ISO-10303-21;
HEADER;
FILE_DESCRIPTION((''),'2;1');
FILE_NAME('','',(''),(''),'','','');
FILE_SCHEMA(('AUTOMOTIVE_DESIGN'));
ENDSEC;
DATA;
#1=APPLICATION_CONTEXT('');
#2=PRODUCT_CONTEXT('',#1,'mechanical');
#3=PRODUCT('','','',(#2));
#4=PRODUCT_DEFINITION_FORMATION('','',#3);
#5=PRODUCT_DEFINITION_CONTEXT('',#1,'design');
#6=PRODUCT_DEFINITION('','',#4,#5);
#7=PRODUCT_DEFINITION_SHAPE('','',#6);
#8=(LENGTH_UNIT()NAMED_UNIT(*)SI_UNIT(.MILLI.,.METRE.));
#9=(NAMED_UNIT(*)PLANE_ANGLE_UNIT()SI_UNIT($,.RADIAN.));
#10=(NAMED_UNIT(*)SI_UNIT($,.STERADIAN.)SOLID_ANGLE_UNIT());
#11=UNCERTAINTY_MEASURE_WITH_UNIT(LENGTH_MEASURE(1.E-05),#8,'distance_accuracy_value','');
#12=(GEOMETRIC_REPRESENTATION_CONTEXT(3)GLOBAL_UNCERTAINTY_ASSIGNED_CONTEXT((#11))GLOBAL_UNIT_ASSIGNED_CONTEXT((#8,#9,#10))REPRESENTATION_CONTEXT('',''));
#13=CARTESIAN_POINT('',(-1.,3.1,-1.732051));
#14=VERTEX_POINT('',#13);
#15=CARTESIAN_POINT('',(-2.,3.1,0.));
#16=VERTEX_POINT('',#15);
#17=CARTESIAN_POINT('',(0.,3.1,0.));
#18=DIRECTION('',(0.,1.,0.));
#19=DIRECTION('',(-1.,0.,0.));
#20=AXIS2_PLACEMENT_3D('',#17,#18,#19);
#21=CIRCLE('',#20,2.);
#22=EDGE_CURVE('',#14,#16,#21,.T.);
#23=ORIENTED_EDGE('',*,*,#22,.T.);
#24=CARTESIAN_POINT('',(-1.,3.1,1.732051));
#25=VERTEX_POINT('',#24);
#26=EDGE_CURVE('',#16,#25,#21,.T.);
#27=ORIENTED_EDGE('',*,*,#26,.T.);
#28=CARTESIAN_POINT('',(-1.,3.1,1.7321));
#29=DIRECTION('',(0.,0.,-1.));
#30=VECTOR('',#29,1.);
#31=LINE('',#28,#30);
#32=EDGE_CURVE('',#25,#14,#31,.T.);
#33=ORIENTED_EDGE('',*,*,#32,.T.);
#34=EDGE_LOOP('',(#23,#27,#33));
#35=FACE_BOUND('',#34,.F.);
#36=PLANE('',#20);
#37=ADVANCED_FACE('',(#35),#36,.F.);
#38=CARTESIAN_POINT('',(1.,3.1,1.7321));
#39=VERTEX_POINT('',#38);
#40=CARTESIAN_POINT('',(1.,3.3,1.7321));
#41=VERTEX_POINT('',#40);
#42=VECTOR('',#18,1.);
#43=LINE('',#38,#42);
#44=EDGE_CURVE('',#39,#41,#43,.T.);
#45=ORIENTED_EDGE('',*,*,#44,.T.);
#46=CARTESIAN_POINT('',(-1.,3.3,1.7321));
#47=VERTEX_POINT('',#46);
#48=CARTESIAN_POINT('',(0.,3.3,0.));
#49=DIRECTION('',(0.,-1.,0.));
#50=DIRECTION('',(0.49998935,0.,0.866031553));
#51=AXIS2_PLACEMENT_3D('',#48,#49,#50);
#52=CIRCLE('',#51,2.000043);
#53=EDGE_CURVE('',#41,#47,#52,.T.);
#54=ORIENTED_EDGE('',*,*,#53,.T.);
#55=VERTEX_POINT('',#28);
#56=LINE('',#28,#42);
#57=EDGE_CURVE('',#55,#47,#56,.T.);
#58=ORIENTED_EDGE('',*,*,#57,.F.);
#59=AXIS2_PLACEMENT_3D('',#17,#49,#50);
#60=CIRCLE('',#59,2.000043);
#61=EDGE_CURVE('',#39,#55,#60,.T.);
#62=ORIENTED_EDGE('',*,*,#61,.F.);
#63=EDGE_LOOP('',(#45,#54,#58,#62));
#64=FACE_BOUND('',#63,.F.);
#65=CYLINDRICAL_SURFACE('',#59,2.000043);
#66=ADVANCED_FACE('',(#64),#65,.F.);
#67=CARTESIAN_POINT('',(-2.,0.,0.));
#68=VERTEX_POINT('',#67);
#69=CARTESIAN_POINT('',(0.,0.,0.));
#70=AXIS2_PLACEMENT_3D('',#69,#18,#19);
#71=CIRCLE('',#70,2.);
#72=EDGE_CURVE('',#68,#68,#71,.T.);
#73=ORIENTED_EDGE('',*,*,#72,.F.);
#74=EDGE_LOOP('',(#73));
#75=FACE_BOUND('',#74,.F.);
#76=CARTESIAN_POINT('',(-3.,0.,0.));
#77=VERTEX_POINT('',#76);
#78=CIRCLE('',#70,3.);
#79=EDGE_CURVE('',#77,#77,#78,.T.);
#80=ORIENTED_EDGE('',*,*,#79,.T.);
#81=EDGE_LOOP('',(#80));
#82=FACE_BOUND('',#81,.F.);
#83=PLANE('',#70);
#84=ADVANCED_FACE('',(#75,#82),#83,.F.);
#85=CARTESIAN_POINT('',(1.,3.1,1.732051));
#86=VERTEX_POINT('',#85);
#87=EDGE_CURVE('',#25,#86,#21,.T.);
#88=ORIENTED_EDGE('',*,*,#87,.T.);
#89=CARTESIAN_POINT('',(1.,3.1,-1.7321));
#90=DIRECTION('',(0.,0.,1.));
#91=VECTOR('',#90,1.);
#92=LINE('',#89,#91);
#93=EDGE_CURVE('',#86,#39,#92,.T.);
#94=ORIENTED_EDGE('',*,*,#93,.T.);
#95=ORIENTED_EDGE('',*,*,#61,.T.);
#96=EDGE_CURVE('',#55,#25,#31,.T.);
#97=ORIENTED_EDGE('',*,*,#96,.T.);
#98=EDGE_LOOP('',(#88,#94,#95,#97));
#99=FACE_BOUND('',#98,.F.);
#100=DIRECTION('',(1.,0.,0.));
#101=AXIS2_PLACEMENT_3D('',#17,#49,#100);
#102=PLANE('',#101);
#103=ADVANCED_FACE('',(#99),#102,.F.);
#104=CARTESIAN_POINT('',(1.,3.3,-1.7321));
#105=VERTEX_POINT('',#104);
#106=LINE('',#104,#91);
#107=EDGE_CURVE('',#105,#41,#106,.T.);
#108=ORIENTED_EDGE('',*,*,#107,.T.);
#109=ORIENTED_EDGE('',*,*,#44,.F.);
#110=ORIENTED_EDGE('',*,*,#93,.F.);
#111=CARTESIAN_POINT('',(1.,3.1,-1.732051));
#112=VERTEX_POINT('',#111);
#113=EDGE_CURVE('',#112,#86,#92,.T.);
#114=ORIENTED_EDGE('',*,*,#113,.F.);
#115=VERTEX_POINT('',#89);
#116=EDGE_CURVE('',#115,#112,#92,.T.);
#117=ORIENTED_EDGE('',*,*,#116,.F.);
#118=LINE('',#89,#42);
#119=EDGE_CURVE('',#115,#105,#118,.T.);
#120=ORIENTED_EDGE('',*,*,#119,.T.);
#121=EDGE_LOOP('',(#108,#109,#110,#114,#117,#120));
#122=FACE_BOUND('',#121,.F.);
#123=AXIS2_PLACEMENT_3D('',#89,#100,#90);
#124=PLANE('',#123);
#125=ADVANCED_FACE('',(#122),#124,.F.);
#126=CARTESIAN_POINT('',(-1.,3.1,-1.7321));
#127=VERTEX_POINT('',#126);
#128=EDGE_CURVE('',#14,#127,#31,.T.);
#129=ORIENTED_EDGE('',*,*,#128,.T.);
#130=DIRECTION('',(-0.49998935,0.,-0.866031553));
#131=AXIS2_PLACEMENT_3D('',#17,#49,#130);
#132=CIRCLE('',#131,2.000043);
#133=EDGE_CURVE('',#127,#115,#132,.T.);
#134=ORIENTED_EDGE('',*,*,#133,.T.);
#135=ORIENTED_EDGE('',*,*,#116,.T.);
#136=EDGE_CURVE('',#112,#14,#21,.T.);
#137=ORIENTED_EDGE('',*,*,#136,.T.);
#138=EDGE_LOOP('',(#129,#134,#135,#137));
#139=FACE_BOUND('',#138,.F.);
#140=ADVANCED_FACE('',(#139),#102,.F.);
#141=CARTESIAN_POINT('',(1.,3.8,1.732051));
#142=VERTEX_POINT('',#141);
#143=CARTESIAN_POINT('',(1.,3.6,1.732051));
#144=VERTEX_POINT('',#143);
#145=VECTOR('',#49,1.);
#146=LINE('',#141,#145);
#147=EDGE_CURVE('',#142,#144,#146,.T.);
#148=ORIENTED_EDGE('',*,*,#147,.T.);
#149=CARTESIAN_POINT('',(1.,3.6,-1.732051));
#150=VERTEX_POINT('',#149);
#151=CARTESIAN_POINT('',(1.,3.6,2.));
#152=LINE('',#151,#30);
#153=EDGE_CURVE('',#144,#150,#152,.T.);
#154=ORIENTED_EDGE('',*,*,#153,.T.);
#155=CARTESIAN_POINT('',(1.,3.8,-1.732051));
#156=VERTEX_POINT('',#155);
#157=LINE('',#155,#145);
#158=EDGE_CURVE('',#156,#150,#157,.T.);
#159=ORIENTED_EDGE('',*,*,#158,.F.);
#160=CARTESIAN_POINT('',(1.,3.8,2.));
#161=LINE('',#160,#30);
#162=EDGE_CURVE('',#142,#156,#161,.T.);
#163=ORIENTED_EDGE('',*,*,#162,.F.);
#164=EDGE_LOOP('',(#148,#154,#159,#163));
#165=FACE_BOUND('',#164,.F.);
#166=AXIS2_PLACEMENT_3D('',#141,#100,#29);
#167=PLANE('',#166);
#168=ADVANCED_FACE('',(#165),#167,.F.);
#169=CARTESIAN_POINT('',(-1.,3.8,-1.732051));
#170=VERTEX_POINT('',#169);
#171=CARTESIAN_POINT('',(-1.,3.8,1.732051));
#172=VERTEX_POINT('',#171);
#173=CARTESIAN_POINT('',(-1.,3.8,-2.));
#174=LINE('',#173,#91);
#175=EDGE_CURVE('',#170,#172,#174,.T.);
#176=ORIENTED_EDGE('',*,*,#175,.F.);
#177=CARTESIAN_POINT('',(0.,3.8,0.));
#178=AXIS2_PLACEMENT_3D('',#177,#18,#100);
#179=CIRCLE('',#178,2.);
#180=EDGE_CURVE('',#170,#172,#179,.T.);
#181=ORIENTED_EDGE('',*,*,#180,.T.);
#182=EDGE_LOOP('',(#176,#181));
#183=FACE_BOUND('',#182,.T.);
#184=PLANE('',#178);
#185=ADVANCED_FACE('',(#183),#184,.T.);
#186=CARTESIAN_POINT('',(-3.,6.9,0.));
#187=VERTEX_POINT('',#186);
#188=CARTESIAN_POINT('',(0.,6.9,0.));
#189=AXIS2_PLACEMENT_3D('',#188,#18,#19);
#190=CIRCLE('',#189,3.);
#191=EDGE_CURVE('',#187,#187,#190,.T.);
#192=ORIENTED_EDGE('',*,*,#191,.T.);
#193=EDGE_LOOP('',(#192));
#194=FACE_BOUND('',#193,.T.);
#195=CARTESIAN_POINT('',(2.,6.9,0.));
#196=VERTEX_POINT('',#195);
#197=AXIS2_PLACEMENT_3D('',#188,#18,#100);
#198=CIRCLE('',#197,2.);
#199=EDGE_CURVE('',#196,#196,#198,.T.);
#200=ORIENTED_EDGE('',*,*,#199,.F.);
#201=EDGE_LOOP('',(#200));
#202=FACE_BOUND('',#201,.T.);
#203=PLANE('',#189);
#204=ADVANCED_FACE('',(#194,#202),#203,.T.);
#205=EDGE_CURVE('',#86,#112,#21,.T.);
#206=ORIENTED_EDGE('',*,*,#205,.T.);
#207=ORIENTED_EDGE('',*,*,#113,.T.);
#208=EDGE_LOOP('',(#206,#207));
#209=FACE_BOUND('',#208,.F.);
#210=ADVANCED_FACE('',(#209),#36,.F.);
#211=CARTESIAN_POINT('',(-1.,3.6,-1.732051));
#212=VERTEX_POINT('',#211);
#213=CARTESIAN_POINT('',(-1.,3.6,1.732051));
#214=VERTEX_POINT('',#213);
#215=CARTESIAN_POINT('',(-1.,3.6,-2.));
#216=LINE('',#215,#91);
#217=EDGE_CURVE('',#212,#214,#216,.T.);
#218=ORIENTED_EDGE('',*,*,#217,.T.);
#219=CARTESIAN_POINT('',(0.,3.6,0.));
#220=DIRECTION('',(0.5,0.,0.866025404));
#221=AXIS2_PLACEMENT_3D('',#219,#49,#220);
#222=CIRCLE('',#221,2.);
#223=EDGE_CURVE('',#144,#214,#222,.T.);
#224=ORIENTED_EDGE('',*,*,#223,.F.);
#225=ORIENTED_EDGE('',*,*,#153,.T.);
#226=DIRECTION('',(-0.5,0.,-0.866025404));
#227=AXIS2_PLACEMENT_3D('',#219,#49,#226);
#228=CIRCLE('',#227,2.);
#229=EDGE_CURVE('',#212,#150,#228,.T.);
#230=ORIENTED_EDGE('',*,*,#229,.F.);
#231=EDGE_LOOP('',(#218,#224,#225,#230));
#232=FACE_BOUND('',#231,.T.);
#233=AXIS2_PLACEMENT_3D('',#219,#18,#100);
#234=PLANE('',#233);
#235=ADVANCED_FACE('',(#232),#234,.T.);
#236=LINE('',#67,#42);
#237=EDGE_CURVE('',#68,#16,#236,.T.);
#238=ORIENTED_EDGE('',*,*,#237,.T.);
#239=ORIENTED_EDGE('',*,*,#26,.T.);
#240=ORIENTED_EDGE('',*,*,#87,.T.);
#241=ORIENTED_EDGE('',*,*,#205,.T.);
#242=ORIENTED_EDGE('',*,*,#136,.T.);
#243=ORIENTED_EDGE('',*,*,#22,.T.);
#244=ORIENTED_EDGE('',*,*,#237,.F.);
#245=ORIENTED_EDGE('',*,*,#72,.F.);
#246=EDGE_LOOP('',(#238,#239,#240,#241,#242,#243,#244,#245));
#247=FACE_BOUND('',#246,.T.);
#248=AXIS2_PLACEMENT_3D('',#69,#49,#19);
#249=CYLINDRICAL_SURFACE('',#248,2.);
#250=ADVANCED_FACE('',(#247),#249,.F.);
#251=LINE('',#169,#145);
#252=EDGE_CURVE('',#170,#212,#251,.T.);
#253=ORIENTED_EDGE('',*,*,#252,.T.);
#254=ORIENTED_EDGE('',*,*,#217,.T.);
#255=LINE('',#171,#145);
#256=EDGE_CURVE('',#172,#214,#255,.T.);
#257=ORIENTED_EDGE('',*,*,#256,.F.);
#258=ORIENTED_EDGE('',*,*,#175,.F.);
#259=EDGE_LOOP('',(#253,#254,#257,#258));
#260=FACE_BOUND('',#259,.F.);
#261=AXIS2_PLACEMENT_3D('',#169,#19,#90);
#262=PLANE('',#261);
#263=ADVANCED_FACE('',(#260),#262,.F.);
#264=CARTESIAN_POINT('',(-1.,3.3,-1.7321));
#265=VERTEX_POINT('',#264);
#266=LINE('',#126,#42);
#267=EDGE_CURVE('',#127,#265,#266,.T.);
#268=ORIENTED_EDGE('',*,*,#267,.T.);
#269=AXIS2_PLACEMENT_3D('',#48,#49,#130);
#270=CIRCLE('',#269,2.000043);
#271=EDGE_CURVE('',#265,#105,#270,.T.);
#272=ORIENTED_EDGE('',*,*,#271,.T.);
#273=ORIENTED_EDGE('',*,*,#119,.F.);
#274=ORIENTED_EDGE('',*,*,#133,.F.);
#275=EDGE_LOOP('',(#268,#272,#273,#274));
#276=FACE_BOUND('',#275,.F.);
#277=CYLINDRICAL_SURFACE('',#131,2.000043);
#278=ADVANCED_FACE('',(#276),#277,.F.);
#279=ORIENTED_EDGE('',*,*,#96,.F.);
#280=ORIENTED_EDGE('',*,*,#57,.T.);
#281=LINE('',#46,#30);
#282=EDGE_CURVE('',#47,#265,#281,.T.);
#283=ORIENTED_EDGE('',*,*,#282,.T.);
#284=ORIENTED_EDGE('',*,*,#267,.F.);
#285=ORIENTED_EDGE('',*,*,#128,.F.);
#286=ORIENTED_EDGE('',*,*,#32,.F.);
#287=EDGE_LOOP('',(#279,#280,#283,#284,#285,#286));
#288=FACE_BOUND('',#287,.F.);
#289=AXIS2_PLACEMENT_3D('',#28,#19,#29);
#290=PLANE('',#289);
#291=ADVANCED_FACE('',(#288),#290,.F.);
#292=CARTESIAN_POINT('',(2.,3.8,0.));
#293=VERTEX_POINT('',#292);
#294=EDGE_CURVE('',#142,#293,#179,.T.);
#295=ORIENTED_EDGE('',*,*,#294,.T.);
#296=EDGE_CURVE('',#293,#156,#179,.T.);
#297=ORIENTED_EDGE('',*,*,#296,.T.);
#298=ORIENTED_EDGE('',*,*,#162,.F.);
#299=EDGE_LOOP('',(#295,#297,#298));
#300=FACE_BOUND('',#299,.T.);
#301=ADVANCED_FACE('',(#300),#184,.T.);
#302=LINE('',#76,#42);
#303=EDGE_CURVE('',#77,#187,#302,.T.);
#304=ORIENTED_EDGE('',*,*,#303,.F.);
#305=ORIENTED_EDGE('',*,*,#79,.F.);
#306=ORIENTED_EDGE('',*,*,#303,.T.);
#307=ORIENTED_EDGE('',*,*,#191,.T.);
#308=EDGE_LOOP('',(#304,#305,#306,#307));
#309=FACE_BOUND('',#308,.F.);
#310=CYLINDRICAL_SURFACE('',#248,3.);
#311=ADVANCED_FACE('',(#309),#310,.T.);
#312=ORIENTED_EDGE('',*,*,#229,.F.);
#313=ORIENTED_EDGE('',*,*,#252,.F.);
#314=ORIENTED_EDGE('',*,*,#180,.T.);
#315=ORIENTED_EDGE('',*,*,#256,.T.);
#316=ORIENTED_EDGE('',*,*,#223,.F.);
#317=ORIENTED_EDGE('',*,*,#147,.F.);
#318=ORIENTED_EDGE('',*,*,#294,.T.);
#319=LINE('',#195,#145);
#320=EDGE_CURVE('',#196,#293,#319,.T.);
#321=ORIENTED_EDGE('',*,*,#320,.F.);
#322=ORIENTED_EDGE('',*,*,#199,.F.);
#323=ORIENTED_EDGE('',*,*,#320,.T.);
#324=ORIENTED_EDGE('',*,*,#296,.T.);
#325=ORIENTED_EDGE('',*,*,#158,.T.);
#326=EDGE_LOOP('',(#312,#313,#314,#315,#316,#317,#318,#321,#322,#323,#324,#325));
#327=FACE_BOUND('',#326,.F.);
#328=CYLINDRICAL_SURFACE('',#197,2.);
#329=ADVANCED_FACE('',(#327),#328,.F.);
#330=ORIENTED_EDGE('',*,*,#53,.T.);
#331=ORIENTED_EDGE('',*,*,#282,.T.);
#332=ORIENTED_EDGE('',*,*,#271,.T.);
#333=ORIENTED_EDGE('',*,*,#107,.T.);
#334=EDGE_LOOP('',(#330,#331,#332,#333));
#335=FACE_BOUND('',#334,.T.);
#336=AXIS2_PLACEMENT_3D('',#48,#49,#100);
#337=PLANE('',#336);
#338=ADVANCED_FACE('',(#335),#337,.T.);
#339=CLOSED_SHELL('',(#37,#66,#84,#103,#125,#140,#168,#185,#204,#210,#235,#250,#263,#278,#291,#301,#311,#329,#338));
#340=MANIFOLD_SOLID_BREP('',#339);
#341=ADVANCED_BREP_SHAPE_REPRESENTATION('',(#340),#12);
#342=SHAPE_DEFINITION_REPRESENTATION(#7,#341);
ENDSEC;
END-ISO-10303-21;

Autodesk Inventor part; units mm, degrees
ref_plane "YZ Plane" through (0, 0, 0) normal (1, 0, 0) x (0, 1, 0)
ref_plane "XZ Plane" through (0, 0, 0) normal (0, 1, 0) x (-1, 0, 0)
ref_plane "XY Plane" through (0, 0, 0) normal (0, 0, 1) x (1, 0, 0)
sketch "Sketch1" plane through (0, 0, 0) normal (0, 1, 0) x (-1, 0, 0)
  circle A0 centre (0, 0) radius 3
  circle A1 centre (0, 0) radius 2
  dimension "d0" = 6
  dimension "d3" = 4
extrude "Extrusion1" add sketch "Sketch1" along normal blind 6.9 contours A0 | A1
extrude "Extrusion2" cut sketch "Sketch1" along normal blind 3.1 contours A1
sketch "Sketch2" plane through (0, 6.9, 0) normal (0, 1, 0) x (1, 0, 0)
  circle A0 centre (0, 0) radius 2 projected
extrude "Extrusion3" cut sketch "Sketch2" against normal blind 3.1
sketch "Sketch3" plane through (0, 3.8, 0) normal (0, 1, 0) x (1, 0, 0)
  line L0 (1, 2) -> (-1, 2)
  line L1 (-1, 2) -> (-1, -2)
  line L2 (-1, -2) -> (1, -2)
  line L3 (1, -2) -> (1, 2)
  line L4 (1, 2) -> (-1, -2) construction
  line L5 (-1, 2) -> (1, -2) construction
  circle A0 centre (0, 0) radius 2 projected
  point P0 (1, -1.7321)
  point P1 (1, 1.7321)
  point P2 (-1, 1.7321)
  point P3 (-1, -1.7321)
  dimension "d8" = 2
extrude "Extrusion4" cut sketch "Sketch3" against normal blind 0.2 contours A0 L3 L1
sketch "Sketch4" plane through (0, 3.1, 0) normal (0, -1, 0) x (1, 0, 0)
  line L0 (1, -1.7321) -> (1, 1.7321) projected
  arc A0 (-1, -1.7321) -> (1, -1.7321) centre (0, 0) ccw projected
  line L1 (-1, 1.7321) -> (-1, -1.7321) projected
  arc A1 (1, 1.7321) -> (-1, 1.7321) centre (0, 0) ccw projected
extrude "Extrusion5" cut sketch "Sketch4" against normal blind 0.2
properties part number "Printed Standoff 6.9mm"
